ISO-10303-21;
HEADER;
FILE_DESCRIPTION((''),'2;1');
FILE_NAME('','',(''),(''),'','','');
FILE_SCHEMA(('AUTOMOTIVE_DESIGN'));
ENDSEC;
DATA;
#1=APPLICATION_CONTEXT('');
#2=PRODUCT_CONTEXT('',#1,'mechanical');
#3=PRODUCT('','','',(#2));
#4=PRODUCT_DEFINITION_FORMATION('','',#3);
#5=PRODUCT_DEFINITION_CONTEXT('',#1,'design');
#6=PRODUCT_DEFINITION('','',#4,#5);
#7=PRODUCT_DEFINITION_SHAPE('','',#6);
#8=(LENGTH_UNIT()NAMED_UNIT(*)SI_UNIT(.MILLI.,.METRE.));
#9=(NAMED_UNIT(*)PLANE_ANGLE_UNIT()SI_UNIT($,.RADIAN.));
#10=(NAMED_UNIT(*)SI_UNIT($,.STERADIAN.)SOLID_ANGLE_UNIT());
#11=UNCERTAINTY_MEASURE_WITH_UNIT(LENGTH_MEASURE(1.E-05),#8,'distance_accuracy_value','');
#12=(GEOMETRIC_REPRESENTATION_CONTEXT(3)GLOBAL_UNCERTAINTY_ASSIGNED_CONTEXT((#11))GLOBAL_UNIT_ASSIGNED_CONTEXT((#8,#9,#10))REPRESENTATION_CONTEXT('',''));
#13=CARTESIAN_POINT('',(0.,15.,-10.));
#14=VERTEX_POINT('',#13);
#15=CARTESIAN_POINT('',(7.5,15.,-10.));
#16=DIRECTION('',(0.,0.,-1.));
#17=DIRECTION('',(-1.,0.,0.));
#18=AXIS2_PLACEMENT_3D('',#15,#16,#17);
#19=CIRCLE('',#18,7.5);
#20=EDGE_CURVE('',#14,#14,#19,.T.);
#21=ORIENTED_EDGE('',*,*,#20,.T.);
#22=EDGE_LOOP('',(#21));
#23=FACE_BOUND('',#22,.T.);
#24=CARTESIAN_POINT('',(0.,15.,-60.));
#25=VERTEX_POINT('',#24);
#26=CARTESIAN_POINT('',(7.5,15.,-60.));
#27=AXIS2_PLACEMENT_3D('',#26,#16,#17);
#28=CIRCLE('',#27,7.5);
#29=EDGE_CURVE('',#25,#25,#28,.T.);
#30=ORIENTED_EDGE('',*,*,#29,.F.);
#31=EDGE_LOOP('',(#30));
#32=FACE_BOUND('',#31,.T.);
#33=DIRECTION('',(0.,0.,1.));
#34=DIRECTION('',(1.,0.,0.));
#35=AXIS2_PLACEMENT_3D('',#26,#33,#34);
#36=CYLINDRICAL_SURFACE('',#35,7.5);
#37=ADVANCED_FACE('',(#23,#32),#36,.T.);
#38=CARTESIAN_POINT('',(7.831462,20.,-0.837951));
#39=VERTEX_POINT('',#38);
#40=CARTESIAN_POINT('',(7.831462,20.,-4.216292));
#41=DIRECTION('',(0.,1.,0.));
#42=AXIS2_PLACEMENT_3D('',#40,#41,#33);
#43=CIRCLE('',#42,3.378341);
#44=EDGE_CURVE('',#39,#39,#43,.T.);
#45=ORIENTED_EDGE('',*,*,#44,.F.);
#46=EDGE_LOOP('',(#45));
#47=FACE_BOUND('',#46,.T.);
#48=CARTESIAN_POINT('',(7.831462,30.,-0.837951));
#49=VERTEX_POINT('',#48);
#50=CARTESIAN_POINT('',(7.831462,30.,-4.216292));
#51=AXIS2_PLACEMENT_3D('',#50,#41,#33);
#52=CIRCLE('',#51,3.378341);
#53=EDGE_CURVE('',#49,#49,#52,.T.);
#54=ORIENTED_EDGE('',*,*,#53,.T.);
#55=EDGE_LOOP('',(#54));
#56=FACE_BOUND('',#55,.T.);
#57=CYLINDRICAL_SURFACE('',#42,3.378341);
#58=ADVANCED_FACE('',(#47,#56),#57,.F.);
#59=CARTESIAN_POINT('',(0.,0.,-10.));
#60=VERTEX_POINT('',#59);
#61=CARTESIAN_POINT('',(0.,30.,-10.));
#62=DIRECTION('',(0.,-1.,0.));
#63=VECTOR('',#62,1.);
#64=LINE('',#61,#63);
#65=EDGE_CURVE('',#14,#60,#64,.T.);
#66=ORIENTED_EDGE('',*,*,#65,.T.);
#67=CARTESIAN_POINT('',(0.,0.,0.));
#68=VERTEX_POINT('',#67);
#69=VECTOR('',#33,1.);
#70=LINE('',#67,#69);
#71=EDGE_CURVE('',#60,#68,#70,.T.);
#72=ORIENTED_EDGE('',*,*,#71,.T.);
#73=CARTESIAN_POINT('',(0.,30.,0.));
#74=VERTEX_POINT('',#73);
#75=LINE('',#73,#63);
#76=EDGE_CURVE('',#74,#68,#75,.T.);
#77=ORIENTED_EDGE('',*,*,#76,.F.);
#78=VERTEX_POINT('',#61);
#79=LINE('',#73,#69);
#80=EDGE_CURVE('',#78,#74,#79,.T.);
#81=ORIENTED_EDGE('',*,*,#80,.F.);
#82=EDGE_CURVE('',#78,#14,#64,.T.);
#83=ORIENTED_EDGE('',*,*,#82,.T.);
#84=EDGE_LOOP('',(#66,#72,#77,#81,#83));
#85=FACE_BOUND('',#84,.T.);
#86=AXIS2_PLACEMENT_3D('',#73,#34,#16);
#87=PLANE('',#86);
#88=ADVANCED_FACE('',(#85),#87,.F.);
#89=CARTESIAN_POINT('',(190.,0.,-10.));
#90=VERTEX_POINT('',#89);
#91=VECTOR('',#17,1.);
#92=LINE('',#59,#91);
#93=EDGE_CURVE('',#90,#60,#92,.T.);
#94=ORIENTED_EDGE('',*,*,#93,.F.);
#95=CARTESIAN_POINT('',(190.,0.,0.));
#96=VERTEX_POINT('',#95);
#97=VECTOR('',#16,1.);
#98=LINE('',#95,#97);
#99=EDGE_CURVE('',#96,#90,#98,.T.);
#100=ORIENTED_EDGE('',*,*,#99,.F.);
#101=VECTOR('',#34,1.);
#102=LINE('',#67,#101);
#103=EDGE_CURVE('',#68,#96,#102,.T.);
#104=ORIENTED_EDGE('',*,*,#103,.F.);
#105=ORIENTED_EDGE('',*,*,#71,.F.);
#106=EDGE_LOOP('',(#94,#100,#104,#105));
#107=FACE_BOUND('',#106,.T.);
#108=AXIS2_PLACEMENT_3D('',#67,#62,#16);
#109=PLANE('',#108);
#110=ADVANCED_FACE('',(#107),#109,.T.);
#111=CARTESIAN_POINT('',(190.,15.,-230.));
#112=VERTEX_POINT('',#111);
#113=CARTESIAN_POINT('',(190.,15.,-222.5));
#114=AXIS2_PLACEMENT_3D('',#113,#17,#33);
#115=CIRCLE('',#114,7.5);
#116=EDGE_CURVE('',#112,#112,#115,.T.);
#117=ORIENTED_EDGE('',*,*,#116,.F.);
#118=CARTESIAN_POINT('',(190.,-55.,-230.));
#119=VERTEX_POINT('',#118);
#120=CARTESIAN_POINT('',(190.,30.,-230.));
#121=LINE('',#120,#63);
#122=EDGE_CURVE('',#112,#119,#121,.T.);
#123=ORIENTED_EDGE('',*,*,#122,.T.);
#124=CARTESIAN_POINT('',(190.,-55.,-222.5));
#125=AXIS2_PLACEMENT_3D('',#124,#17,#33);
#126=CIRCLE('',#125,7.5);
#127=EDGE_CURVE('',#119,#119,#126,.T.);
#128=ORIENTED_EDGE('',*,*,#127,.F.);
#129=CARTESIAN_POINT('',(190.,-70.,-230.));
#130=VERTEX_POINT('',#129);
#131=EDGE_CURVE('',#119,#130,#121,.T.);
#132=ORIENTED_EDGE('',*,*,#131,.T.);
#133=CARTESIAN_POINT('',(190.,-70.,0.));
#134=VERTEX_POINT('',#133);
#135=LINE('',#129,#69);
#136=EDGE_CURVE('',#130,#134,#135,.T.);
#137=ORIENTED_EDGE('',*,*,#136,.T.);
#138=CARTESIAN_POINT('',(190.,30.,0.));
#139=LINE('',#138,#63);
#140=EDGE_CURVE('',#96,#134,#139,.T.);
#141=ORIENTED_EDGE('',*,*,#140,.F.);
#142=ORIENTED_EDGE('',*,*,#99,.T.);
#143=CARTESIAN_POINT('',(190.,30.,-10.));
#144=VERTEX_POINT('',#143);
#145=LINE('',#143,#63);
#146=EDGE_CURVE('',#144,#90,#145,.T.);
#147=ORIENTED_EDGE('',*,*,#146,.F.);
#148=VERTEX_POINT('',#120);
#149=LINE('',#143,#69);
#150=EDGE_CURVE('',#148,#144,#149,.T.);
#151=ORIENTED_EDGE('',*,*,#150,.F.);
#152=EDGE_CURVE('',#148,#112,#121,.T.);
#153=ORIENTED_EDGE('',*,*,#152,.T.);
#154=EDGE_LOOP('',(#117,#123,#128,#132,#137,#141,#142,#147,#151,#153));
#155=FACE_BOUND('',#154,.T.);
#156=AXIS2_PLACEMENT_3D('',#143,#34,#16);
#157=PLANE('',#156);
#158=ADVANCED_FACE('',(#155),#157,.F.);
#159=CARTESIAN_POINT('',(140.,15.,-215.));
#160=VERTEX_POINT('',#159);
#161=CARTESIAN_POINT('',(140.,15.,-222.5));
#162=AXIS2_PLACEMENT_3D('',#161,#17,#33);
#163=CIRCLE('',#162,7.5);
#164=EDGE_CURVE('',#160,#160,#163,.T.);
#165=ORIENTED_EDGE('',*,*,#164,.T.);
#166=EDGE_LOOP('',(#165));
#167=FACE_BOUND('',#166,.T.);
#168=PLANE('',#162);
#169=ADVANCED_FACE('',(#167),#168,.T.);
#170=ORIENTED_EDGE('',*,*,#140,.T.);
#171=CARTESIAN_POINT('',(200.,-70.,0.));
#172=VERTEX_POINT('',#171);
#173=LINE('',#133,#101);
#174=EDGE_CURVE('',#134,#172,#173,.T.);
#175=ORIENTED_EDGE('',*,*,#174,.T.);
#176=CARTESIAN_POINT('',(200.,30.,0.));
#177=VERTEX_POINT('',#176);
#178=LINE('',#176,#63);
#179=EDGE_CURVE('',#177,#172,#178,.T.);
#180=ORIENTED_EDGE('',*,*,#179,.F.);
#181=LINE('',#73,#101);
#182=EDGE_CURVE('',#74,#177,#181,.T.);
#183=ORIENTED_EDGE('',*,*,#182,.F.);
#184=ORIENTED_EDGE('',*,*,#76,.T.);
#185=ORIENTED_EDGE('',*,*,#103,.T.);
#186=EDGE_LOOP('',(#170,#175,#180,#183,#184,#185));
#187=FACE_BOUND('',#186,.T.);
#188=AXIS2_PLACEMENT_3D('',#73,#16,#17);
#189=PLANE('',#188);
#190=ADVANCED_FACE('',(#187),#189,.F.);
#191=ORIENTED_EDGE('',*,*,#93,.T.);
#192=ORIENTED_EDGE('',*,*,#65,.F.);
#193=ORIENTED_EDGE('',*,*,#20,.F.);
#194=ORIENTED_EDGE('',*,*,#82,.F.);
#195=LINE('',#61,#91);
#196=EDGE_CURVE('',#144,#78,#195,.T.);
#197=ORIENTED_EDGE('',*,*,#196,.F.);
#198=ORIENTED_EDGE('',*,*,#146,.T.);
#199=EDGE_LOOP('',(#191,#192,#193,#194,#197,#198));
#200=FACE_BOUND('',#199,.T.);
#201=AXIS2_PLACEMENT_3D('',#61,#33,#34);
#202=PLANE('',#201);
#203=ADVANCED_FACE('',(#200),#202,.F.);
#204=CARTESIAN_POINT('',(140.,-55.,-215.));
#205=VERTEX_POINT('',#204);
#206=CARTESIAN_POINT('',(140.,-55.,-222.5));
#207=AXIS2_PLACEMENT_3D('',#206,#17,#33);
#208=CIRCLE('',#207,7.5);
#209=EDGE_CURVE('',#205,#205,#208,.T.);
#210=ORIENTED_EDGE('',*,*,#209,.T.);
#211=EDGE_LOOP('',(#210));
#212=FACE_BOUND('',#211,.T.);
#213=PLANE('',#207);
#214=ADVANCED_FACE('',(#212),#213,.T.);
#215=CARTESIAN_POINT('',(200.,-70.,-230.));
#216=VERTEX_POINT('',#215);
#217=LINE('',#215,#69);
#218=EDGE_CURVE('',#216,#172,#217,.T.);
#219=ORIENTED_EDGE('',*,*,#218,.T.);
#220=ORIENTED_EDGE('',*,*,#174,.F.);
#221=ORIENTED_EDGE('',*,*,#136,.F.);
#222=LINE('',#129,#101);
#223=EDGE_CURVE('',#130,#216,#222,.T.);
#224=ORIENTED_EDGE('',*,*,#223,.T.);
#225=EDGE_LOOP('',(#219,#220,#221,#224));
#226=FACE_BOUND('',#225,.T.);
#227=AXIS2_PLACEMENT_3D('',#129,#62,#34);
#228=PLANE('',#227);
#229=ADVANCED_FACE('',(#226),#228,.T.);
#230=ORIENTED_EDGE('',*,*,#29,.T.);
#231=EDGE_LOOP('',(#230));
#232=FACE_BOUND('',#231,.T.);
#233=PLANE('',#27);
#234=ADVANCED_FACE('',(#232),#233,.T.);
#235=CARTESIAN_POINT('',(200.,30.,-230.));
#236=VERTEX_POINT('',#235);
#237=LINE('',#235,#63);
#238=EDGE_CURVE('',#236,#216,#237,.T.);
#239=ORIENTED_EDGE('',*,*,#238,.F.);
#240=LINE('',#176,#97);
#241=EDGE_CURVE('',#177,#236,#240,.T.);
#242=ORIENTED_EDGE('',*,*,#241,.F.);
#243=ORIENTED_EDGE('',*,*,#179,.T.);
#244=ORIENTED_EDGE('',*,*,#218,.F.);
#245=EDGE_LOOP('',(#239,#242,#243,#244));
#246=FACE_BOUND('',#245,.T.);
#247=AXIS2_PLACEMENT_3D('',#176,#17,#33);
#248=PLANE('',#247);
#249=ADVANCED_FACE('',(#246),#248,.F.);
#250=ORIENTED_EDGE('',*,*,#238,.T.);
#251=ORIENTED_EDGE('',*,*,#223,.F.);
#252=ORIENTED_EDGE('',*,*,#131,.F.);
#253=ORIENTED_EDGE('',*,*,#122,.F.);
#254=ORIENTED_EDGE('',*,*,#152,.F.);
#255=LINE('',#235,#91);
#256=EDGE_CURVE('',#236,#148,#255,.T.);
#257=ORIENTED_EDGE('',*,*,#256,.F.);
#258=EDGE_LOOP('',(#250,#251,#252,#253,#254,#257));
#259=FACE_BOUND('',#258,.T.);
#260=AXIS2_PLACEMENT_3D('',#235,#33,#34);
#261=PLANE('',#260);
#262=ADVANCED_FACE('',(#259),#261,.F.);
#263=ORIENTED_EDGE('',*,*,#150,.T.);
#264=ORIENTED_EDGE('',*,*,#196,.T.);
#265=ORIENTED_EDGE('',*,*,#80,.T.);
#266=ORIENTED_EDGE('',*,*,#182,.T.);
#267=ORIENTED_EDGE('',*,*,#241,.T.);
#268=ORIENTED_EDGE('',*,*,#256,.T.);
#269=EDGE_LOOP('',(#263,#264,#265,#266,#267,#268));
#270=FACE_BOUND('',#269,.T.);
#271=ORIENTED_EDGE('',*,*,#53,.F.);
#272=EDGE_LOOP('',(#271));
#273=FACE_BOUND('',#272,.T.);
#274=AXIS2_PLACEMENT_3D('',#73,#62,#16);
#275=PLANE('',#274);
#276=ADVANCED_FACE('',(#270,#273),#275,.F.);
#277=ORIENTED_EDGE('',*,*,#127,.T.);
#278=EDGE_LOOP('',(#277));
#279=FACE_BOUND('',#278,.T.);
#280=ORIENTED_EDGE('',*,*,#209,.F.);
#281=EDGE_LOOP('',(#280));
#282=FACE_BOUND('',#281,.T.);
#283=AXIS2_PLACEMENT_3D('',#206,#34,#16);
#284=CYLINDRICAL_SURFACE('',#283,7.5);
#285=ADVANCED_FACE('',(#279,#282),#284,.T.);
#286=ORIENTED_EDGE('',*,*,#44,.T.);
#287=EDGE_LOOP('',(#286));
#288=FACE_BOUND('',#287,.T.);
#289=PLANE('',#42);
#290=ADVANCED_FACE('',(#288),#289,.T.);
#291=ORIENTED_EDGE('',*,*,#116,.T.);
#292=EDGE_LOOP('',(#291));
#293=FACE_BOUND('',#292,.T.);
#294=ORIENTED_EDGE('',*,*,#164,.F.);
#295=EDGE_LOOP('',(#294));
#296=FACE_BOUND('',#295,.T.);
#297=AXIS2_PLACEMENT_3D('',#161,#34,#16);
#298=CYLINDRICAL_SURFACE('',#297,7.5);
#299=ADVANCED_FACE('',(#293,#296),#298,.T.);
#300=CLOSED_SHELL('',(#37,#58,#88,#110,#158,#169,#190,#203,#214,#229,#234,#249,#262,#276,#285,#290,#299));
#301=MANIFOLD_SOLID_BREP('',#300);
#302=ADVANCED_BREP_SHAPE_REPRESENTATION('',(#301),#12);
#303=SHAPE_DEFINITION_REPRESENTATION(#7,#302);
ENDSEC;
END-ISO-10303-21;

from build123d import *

# Parameters (mm, degrees)
BODY_DEPTH          = 30
SKETCH2_R           = 7.5
ROTATING_PIN_DEPTH  = 50
SKETCH3_R           = 7.5
BOSS_EXTRUDE3_DEPTH = 50
SKETCH4_W           = 10
SKETCH4_H           = 100
BOSS_EXTRUDE4_DEPTH = 230
SKETCH5_R           = 7.5
BOSS_EXTRUDE5_DEPTH = 50
SKETCH6_R           = 3.378341257
CUT_EXTRUDE1_DEPTH  = 10


with BuildPart() as part:
    # Sketch1 → body (new body)
    with BuildSketch(Plane(origin=(0, 0, 0), x_dir=(1, 0, 0), z_dir=(0, 1, 0))):
        Polygon((0, 0), (200, 0), (200, 230), (190, 230), (190, 10), (0, 10), align=None)
    extrude(amount=BODY_DEPTH)

    # Sketch2 → rotating pin (add)
    with BuildSketch(Plane(origin=(0, 0, -10), x_dir=(-1, 0, 0), z_dir=(0, 0, -1))):
        with Locations((-7.5, 15)):
            Circle(SKETCH2_R)
    extrude(amount=ROTATING_PIN_DEPTH)

    # Sketch3 → Boss-Extrude3 (add)
    with BuildSketch(Plane.ZY.offset(-190)):
        with Locations(Location((-222.5, 15, 0), (0, 0, 180))):
            Circle(SKETCH3_R)
    extrude(amount=BOSS_EXTRUDE3_DEPTH)

    # Sketch4 → Boss-Extrude4 (add, through all)
    with BuildSketch(Plane.XY):
        with Locations((195, -20)):
            Rectangle(SKETCH4_W, SKETCH4_H)
    extrude(amount=-BOSS_EXTRUDE4_DEPTH)

    # Sketch5 → Boss-Extrude5 (add)
    with BuildSketch(Plane.ZY.offset(-190)):
        with Locations(Location((-222.5, -55, 0), (0, 0, 180))):
            Circle(SKETCH5_R)
    extrude(amount=BOSS_EXTRUDE5_DEPTH)

    # Sketch6 → Cut-Extrude1 (cut)
    with BuildSketch(Plane(origin=(0, 30, 0), x_dir=(1, 0, 0), z_dir=(0, 1, 0))):
        with Locations(Location((7.831461534, 4.216291967, 0), (0, 0, 270))):
            Circle(SKETCH6_R)
    extrude(amount=-CUT_EXTRUDE1_DEPTH, mode=Mode.SUBTRACT)


solid = part.part
